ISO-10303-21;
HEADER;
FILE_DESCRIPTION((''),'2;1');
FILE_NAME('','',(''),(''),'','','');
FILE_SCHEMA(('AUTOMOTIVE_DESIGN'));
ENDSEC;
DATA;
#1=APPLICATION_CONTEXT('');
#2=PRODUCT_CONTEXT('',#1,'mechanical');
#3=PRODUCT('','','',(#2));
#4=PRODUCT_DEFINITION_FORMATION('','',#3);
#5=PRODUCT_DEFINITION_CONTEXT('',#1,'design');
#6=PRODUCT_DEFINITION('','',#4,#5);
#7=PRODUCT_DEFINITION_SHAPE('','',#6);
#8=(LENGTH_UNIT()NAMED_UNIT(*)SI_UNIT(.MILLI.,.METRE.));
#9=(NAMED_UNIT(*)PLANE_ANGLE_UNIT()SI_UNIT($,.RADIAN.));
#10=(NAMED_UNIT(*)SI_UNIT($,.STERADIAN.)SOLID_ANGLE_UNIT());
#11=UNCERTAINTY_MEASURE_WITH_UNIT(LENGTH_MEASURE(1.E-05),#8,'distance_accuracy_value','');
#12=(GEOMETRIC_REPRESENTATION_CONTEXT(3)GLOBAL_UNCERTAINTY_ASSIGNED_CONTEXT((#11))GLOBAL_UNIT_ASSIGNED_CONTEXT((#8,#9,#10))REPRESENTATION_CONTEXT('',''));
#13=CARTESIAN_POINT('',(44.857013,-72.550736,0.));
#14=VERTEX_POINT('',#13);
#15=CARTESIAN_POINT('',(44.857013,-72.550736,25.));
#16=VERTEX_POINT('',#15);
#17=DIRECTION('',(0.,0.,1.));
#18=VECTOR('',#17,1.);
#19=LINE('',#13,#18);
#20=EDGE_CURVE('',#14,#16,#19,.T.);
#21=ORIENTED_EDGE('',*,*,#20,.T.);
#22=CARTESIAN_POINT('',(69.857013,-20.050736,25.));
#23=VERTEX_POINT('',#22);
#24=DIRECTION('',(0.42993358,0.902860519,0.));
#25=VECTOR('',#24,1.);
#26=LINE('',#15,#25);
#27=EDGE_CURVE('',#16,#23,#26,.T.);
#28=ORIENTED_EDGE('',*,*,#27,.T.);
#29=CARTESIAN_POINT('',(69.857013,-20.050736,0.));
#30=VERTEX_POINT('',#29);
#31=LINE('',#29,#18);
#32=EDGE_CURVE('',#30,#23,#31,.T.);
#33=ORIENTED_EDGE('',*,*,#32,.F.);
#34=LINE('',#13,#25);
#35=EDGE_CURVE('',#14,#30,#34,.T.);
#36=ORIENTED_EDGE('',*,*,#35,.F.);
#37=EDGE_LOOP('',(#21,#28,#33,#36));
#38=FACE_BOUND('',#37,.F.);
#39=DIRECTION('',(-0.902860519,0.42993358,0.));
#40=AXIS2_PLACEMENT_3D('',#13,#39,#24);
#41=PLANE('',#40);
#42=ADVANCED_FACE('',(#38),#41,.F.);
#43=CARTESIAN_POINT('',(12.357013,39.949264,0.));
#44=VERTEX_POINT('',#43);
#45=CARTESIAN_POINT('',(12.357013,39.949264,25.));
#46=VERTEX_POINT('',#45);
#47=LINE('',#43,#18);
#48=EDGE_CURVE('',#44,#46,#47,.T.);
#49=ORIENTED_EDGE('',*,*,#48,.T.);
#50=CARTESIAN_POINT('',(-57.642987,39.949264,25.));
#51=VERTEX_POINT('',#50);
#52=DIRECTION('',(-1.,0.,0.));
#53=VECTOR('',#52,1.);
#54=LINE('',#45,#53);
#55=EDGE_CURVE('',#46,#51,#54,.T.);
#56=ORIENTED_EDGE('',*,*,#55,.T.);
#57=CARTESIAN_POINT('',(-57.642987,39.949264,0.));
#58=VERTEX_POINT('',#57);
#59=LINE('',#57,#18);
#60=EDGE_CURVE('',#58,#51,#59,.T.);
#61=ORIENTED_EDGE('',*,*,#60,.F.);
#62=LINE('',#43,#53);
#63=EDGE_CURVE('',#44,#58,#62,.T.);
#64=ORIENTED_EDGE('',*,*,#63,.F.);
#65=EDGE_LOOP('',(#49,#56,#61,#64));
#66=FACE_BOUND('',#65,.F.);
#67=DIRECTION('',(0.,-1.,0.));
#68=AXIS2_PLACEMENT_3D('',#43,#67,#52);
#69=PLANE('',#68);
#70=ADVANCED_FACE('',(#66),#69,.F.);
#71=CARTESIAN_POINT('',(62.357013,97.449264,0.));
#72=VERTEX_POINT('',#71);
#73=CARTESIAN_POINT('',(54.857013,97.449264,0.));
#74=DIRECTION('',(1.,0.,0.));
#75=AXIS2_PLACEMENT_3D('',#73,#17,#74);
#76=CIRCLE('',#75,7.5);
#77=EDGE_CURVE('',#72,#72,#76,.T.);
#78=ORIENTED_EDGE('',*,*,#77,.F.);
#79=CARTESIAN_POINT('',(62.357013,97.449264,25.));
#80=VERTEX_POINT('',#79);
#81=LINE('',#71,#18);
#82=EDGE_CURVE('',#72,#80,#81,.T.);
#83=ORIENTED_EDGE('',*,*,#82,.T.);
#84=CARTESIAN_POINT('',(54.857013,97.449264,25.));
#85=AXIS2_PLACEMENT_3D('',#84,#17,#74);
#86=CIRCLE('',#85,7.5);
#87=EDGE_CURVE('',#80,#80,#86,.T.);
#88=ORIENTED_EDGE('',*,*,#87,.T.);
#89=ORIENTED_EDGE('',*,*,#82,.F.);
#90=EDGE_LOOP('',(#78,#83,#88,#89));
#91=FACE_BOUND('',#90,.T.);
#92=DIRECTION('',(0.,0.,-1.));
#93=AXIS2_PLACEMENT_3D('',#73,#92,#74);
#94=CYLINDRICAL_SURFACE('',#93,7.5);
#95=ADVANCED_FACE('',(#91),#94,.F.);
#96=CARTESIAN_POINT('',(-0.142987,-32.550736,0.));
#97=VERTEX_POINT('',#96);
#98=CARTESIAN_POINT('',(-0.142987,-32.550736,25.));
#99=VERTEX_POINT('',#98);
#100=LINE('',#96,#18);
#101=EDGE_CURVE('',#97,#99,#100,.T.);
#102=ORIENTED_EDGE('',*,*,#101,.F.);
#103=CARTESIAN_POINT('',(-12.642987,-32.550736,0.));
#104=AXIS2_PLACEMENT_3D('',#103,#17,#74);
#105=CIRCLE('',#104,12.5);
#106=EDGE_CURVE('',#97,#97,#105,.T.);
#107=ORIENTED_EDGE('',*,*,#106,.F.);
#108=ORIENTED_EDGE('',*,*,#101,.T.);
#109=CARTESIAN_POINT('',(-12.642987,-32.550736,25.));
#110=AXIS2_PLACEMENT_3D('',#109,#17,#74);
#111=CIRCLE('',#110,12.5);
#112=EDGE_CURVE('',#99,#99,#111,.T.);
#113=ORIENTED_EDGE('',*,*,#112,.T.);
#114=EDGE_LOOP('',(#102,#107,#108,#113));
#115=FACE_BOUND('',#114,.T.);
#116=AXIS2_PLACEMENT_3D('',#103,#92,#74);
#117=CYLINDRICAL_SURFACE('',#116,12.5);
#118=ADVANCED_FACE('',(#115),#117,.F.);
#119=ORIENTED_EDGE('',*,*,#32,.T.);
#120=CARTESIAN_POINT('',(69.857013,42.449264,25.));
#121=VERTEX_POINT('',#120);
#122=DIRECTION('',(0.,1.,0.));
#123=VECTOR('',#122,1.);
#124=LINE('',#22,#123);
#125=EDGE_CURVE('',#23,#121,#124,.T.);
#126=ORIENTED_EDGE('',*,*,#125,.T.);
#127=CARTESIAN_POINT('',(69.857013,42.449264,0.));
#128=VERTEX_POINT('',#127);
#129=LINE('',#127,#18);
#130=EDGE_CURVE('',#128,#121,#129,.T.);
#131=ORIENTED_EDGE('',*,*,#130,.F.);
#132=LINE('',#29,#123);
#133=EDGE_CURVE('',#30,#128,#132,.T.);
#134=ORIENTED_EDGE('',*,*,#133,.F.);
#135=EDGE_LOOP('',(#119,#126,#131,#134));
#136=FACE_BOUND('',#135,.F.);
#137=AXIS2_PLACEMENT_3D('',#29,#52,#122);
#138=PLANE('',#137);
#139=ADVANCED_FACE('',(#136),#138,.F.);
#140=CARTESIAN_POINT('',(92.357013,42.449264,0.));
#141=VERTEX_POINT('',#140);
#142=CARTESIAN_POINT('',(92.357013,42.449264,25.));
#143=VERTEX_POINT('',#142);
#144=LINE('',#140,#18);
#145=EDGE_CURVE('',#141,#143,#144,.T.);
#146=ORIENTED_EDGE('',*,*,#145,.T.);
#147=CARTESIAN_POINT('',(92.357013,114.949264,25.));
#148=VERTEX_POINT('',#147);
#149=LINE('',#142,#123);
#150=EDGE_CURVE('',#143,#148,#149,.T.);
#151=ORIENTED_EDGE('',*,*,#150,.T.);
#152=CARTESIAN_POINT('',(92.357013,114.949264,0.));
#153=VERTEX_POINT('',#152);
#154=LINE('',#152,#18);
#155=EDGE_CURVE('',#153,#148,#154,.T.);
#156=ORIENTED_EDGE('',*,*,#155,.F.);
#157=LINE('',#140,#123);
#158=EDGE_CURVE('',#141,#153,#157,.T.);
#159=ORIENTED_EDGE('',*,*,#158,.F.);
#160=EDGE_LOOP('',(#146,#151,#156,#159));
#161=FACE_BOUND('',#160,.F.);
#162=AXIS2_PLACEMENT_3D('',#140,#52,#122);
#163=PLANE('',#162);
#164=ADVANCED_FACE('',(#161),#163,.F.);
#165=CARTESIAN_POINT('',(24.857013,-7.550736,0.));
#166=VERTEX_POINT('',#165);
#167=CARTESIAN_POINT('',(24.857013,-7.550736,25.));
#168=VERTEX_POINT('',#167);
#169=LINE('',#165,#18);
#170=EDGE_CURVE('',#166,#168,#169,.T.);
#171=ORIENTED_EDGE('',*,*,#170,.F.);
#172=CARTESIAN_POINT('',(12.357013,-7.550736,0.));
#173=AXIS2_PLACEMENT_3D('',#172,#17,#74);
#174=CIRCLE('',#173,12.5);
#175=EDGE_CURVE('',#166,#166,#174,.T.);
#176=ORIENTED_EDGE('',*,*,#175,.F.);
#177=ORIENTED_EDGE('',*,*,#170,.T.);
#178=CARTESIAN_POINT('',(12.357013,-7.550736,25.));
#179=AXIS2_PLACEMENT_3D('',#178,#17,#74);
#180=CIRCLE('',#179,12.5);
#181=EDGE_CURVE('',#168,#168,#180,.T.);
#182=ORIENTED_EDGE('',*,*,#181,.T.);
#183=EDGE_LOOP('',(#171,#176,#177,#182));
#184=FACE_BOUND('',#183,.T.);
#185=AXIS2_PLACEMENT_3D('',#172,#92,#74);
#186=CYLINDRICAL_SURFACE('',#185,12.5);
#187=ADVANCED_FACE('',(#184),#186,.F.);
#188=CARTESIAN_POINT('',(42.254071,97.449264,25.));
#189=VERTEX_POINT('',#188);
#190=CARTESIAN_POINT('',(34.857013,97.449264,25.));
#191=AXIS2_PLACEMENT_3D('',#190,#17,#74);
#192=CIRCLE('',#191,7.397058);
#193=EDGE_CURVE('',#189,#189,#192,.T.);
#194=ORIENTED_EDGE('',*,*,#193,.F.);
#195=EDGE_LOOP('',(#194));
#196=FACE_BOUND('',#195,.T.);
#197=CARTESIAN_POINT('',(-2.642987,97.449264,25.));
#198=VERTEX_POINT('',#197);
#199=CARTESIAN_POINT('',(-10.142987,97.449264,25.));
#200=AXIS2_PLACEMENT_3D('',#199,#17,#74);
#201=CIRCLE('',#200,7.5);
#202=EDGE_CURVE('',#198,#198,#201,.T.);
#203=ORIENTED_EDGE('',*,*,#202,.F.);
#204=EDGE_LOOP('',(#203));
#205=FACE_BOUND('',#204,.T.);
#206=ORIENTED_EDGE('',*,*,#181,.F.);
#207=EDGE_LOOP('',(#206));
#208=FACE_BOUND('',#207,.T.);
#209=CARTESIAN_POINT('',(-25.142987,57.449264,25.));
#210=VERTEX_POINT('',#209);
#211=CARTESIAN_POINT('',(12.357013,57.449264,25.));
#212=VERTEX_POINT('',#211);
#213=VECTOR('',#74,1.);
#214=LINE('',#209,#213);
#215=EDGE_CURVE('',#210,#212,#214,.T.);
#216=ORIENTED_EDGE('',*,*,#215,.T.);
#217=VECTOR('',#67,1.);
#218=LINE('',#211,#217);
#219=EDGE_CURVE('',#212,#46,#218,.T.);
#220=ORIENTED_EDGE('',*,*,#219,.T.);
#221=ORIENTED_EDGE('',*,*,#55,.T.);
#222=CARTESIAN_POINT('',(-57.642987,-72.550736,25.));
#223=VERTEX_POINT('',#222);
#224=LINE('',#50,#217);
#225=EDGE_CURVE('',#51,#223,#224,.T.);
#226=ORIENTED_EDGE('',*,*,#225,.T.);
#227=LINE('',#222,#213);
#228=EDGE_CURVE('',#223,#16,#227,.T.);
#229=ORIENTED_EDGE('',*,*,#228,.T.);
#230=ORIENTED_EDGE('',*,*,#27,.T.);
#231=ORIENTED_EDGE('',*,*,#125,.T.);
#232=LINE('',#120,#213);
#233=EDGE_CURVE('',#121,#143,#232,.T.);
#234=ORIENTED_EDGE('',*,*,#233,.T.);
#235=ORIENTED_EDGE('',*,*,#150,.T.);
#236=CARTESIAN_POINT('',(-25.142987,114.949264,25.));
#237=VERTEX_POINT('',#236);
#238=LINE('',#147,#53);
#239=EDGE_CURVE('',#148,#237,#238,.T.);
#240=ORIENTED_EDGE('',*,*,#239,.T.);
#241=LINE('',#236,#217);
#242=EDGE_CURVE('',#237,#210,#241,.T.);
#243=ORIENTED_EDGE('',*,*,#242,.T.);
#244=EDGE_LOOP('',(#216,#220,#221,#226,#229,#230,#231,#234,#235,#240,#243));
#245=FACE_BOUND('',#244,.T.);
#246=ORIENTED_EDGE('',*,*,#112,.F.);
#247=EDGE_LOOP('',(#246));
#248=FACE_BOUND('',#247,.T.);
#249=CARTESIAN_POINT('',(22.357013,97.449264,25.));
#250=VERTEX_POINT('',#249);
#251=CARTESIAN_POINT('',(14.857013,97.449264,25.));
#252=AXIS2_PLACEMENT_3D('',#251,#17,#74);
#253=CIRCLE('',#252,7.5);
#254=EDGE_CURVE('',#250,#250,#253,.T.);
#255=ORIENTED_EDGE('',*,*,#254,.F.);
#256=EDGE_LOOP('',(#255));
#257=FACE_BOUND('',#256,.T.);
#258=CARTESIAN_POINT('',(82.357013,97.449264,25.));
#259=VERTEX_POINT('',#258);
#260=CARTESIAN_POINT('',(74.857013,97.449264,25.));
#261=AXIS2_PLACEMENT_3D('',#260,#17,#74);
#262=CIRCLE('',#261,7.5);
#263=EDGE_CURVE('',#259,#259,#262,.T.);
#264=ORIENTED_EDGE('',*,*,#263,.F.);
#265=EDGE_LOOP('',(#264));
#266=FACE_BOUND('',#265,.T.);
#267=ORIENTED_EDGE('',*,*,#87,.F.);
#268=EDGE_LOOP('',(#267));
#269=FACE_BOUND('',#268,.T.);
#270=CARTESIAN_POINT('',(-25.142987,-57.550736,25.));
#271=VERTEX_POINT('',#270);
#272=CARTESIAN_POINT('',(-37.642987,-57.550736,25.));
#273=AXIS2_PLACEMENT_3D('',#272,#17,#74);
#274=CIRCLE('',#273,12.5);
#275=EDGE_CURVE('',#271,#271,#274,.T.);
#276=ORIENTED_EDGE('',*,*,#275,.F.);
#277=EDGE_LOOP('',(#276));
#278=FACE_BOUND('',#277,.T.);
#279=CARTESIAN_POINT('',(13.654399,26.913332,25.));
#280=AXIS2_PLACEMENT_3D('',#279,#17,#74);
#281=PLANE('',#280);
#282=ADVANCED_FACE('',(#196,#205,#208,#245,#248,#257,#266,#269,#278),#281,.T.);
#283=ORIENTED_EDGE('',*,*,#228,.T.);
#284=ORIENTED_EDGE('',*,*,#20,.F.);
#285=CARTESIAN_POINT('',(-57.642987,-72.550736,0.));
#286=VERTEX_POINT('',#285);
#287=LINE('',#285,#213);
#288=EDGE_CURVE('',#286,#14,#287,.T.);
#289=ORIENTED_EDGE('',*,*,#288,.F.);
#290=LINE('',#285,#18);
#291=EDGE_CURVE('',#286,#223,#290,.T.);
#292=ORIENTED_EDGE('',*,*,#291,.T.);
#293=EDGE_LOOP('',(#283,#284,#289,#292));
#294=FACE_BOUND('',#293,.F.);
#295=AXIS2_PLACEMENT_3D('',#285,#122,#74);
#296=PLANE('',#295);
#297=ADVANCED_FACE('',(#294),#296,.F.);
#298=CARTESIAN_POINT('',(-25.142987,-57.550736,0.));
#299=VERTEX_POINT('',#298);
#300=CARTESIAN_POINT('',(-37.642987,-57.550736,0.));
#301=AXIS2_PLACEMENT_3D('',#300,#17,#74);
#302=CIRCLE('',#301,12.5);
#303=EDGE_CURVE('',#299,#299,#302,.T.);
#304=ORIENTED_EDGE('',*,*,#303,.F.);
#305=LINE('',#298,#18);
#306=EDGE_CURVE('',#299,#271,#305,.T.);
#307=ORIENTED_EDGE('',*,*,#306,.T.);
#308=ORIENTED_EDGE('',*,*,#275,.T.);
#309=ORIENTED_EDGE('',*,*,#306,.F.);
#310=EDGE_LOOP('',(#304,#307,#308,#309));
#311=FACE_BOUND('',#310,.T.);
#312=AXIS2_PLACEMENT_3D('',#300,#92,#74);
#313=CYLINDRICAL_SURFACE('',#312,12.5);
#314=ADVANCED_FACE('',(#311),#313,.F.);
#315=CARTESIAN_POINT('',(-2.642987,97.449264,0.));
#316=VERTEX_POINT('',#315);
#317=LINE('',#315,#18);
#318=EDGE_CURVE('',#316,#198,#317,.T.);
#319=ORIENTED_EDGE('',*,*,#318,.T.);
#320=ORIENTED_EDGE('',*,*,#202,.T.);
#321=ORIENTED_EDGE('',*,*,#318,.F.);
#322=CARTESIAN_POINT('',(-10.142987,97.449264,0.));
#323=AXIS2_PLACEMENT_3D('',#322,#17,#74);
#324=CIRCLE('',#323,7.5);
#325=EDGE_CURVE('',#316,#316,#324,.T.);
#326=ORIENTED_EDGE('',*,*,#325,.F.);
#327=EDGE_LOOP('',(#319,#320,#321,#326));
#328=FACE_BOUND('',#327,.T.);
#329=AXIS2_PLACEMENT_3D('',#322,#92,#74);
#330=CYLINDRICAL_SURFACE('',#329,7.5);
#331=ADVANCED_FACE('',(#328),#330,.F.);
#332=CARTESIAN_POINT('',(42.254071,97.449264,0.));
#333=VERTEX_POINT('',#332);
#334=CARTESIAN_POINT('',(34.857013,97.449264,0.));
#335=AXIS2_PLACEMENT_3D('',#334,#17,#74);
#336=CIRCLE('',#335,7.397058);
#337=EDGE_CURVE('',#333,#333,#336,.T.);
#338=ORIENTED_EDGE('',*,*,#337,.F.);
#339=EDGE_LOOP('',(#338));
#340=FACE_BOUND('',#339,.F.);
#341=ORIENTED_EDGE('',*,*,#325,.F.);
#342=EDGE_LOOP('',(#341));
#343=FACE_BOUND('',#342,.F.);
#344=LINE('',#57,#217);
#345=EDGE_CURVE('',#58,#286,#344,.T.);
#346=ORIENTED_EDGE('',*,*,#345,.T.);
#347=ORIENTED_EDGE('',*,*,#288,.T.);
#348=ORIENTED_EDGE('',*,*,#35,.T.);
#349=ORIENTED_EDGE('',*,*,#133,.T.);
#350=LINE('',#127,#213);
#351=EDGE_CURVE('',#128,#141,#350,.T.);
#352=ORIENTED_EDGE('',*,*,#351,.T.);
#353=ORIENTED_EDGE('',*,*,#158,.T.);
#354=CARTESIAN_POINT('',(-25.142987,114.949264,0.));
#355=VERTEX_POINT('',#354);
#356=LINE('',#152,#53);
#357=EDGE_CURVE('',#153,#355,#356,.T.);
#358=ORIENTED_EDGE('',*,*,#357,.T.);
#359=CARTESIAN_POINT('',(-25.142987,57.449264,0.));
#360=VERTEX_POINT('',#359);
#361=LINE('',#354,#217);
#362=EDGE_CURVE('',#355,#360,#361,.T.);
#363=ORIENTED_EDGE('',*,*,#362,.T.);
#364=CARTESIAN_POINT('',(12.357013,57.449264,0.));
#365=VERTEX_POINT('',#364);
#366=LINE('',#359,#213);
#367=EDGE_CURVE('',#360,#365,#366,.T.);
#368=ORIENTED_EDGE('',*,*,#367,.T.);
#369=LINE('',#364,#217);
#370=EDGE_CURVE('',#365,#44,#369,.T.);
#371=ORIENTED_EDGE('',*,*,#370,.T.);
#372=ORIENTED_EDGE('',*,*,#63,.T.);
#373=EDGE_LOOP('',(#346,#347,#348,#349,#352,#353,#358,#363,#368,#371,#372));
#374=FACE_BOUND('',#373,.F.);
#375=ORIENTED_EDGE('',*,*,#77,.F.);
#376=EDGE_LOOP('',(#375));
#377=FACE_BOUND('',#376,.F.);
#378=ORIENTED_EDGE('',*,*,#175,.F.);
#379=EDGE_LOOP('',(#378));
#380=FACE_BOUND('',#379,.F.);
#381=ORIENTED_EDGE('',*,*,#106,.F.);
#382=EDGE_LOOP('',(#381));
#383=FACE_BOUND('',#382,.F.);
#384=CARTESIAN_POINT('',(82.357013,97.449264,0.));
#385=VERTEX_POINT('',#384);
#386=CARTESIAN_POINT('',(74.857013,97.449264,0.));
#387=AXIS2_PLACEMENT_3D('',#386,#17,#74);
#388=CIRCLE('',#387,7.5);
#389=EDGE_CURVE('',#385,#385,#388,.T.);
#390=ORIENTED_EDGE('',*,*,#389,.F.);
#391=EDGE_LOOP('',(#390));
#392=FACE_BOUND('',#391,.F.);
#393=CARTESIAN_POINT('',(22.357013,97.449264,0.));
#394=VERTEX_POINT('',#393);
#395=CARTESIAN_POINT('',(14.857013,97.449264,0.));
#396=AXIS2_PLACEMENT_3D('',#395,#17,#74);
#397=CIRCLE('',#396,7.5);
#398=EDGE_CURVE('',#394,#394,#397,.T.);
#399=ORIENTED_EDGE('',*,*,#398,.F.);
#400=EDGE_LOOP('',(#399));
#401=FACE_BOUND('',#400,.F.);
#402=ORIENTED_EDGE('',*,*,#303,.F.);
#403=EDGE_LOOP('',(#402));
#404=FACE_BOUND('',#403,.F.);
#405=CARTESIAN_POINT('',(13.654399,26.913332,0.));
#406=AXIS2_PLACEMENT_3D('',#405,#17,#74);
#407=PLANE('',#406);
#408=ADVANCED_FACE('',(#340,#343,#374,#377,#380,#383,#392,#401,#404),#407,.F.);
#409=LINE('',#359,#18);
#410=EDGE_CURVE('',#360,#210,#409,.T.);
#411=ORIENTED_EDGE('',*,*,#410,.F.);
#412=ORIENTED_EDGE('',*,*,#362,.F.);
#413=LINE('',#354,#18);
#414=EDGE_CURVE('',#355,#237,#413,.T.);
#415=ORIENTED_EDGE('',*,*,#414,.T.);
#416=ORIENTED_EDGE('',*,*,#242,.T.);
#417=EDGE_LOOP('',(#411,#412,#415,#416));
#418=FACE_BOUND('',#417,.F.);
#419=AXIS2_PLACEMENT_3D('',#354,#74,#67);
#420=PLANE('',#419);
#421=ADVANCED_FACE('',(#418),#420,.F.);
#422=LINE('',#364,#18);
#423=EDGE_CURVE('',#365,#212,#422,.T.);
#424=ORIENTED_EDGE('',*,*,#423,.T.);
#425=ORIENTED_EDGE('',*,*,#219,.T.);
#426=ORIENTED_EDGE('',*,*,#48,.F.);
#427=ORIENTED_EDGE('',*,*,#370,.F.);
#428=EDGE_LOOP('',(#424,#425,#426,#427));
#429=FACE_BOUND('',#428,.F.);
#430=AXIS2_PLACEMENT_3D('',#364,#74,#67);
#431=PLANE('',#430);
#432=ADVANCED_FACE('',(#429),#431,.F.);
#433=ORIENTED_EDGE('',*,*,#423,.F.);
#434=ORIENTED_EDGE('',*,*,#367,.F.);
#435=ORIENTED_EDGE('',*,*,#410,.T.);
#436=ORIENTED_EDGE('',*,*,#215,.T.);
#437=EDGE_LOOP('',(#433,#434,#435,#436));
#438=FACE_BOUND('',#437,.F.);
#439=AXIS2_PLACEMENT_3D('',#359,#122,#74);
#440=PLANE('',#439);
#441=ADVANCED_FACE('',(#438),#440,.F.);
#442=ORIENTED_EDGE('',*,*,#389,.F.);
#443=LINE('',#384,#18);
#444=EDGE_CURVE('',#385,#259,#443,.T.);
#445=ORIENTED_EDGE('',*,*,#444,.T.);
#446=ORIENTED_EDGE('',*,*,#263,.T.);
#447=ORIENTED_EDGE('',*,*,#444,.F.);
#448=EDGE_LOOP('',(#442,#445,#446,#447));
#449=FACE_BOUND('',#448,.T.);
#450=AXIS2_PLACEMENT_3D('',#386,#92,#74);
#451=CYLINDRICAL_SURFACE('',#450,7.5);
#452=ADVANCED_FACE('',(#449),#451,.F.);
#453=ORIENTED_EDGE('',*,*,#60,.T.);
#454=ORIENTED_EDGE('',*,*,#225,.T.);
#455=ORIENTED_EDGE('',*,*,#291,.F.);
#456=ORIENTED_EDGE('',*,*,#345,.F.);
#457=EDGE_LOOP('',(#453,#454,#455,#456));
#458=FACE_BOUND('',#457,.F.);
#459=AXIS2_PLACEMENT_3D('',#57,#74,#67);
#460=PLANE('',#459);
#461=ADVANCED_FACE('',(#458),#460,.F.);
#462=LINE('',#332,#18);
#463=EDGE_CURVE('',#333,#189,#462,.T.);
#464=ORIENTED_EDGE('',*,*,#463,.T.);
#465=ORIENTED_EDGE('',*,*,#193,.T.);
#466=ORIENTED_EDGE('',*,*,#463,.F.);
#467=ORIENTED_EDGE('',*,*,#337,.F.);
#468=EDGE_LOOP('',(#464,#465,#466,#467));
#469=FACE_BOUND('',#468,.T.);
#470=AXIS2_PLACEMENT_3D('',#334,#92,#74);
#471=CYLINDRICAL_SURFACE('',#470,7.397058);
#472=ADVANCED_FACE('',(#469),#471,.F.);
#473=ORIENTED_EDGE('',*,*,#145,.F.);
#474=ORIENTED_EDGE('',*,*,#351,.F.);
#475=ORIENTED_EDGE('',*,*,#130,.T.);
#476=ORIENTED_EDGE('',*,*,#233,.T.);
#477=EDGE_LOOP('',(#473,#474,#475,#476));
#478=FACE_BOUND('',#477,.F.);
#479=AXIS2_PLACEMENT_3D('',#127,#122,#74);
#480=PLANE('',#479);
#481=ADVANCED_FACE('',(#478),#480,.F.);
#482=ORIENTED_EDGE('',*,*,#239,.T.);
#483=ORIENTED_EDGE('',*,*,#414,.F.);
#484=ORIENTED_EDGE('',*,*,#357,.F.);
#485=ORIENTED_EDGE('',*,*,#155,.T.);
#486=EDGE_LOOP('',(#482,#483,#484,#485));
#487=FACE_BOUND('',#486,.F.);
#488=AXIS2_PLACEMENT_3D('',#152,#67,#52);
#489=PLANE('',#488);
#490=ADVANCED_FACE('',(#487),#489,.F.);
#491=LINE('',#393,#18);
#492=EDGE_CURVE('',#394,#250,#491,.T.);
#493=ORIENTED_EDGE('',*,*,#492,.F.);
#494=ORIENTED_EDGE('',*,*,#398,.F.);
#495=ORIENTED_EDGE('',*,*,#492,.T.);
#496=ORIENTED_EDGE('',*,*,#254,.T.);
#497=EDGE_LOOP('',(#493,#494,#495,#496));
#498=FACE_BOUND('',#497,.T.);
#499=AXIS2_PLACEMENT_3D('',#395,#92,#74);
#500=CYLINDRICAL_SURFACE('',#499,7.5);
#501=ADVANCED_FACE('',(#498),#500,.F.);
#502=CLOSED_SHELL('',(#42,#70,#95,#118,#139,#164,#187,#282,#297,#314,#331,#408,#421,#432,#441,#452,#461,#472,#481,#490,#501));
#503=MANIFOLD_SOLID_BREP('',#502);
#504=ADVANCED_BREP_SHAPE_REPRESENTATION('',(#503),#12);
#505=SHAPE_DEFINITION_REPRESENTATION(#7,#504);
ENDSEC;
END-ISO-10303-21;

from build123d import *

# Parameters (mm, degrees)
F0_R     = 12.5
F0_R_2   = 7.5
F0_R_3   = 7.397058
F1_DEPTH = 25


with BuildPart() as f1:
    # F0 (on Top) → F1 (new body)
    with BuildSketch(Plane.XY):
        Polygon((-57.642987, 39.949264), (-57.642987, -72.550736), (44.857013, -72.550736), (69.857013, -20.050736), (69.857013, 42.449264), (92.357013, 42.449264), (92.357013, 114.949264), (-25.142987, 114.949264), (-25.142987, 57.449264), (12.357013, 57.449264), (12.357013, 39.949264), align=None)
        with Locations((-37.642987, -57.550736)):
            Circle(F0_R, mode=Mode.SUBTRACT)
        with Locations((-12.642987, -32.550736)):
            Circle(F0_R, mode=Mode.SUBTRACT)
        with Locations((12.357013, -7.550736)):
            Circle(F0_R, mode=Mode.SUBTRACT)
        with Locations((-10.142987, 97.449264)):
            Circle(F0_R_2, mode=Mode.SUBTRACT)
        with Locations((14.857013, 97.449264)):
            Circle(F0_R_2, mode=Mode.SUBTRACT)
        with Locations((34.857013, 97.449264)):
            Circle(F0_R_3, mode=Mode.SUBTRACT)
        with Locations((54.857013, 97.449264)):
            Circle(F0_R_2, mode=Mode.SUBTRACT)
        with Locations((74.857013, 97.449264)):
            Circle(F0_R_2, mode=Mode.SUBTRACT)
    extrude(amount=F1_DEPTH)


solid = f1.part
